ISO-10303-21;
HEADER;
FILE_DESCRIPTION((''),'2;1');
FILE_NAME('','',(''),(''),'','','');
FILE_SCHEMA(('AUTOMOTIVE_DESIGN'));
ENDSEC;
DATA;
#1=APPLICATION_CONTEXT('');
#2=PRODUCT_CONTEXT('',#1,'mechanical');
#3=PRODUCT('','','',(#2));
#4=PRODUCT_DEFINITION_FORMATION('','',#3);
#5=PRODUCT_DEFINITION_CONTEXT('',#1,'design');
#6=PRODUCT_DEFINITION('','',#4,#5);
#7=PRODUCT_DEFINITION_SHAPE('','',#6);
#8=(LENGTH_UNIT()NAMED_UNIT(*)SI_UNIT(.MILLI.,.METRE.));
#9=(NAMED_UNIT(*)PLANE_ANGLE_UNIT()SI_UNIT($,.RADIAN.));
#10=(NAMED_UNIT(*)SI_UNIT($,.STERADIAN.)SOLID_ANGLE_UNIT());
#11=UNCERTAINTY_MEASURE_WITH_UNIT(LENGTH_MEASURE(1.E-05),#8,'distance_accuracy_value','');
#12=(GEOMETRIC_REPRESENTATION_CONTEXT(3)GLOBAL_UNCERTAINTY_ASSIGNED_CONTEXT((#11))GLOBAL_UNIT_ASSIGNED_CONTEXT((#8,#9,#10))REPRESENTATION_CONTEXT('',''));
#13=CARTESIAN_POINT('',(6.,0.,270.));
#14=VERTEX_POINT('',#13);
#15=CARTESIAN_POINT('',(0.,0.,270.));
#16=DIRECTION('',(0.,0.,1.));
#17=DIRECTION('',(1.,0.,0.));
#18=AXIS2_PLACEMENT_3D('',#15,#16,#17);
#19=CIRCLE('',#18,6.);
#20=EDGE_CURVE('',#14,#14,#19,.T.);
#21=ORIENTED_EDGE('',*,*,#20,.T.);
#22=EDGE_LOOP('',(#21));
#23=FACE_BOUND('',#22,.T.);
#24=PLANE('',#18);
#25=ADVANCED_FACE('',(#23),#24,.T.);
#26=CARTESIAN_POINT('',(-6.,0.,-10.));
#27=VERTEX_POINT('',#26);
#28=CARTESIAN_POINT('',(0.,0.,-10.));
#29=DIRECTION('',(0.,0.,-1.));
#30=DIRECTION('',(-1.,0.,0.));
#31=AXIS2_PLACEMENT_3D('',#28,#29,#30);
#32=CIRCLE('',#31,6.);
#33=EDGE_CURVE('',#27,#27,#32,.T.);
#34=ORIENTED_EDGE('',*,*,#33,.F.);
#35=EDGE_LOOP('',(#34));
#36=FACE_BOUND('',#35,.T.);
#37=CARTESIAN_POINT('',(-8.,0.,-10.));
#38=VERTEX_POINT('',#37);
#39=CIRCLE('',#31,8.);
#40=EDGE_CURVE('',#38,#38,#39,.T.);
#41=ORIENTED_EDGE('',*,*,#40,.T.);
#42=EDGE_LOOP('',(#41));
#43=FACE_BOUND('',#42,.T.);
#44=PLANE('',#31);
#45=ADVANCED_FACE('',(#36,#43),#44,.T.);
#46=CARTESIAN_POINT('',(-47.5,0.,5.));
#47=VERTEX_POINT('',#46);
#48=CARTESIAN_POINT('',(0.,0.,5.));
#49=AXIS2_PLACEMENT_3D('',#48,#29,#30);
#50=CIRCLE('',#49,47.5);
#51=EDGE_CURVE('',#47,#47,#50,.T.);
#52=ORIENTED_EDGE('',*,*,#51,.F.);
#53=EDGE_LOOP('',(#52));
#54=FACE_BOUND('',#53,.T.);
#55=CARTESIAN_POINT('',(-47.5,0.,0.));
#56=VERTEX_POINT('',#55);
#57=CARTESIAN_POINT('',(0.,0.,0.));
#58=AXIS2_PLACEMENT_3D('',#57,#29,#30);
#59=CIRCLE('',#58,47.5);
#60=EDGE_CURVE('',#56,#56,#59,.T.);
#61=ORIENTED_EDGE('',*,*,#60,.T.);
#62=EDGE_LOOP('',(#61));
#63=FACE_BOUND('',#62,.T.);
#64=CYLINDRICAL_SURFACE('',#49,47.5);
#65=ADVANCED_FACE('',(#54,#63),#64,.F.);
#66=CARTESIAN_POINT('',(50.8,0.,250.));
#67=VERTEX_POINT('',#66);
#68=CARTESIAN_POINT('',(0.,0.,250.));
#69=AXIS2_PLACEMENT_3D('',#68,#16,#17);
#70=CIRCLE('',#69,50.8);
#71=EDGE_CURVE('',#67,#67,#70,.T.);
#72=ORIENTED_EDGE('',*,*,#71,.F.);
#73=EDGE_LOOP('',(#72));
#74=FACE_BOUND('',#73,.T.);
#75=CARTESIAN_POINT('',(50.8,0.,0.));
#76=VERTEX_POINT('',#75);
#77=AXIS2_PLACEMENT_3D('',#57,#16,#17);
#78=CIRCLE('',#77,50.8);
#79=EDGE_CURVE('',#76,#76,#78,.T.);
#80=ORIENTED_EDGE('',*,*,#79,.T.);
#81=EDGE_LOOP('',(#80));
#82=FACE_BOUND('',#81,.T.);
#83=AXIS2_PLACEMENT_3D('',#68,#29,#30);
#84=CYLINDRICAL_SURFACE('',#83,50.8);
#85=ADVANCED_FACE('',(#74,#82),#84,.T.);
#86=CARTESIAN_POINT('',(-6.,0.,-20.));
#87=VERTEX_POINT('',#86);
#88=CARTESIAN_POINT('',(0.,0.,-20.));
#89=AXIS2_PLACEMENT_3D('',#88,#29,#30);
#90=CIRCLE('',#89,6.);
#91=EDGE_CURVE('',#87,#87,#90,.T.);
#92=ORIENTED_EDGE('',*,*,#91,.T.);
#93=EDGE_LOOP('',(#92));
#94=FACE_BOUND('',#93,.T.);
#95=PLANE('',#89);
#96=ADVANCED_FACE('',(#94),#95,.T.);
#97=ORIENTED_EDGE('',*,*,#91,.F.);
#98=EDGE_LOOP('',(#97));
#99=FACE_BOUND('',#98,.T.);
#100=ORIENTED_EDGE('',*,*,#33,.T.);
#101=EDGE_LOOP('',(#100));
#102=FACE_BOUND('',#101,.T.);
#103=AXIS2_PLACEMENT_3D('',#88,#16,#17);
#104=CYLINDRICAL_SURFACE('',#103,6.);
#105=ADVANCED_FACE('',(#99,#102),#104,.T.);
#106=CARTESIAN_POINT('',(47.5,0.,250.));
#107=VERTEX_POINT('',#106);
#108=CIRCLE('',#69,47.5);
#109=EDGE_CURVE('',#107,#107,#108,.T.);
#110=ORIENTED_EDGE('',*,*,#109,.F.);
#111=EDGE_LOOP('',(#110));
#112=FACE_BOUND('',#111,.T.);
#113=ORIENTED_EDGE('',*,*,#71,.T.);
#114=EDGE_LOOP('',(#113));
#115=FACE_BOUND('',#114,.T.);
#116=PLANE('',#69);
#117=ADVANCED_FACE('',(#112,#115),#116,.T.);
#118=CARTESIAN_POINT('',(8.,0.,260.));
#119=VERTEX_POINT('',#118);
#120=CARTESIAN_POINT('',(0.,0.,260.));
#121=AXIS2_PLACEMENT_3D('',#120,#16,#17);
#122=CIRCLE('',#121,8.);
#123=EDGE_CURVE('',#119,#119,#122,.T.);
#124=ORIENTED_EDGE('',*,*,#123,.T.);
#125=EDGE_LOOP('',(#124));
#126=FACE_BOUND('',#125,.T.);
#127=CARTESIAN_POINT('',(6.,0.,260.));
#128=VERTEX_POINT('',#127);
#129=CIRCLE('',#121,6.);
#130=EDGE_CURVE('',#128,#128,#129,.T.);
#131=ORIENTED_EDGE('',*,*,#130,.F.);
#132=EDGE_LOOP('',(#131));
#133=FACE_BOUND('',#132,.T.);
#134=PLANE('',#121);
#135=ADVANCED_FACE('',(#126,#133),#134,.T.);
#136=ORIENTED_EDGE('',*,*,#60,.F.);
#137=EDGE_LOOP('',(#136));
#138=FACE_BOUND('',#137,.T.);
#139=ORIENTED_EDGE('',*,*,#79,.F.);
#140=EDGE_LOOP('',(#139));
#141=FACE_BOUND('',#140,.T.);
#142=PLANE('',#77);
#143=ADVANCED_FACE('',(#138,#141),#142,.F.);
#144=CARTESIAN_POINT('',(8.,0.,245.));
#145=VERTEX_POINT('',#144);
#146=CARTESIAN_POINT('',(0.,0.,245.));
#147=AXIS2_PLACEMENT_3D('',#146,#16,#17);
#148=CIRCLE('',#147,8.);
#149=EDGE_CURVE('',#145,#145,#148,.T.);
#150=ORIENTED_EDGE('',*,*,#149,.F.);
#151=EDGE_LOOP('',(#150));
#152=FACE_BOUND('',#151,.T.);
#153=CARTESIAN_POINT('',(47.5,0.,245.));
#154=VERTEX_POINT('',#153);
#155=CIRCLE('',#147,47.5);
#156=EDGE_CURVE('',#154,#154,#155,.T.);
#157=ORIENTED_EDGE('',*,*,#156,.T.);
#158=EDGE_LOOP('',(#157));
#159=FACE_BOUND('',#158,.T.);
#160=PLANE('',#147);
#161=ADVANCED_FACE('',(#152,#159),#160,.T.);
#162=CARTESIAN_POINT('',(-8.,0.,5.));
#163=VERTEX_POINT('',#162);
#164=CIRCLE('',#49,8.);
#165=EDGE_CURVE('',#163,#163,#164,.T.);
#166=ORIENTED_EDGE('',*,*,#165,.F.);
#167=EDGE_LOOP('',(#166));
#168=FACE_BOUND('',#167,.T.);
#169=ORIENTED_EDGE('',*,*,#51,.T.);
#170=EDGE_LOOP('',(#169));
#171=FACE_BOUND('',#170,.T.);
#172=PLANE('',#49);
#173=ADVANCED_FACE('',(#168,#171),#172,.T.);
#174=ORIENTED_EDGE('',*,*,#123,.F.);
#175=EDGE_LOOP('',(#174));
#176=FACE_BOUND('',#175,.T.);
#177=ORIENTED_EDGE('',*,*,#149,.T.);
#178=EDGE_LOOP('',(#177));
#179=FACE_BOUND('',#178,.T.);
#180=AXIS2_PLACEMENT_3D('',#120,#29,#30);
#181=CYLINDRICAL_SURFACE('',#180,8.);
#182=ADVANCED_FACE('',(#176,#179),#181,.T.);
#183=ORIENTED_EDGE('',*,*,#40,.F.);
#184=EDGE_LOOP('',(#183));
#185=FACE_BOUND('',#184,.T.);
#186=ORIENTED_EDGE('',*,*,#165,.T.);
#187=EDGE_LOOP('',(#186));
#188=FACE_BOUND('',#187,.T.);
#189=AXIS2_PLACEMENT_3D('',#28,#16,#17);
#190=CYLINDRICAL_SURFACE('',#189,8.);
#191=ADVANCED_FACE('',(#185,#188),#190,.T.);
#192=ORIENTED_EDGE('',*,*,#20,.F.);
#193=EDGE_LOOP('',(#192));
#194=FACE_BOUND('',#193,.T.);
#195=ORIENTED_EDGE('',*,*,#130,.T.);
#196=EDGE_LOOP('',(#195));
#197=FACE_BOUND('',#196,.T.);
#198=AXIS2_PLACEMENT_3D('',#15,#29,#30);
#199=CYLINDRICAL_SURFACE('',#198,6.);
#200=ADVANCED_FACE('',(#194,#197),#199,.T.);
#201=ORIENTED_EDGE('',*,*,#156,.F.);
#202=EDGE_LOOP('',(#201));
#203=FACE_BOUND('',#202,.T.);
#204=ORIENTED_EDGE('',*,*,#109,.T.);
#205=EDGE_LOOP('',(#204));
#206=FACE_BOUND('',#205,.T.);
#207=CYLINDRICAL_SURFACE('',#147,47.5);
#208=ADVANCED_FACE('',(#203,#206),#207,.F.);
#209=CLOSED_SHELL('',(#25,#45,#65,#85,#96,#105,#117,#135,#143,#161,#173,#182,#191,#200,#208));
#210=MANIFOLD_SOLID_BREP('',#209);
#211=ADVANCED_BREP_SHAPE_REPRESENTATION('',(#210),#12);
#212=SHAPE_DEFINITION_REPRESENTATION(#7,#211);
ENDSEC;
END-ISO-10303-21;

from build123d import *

# Parameters (mm, degrees)
SKETCH1_R           = 50.8
BOSS_EXTRUDE1_DEPTH = 250
SKETCH2_R           = 47.5
CUT_EXTRUDE1_DEPTH  = 5
CUT_EXTRUDE2_START  = -5
SKETCH3_R           = 47.5
CUT_EXTRUDE2_DEPTH  = 5
SKETCH4_R           = 8
BOSS_EXTRUDE2_DEPTH = 15
BOSS_EXTRUDE3_START = 15
SKETCH5_R           = 8
BOSS_EXTRUDE3_DEPTH = 15
SKETCH7_R           = 6
BOSS_EXTRUDE4_DEPTH = 10
BOSS_EXTRUDE5_START = 10
SKETCH8_R           = 6
BOSS_EXTRUDE5_DEPTH = 10


with BuildPart() as part:
    # Sketch1 → Boss-Extrude1 (new body)
    with BuildSketch(Plane.XY):
        Circle(SKETCH1_R)
    extrude(amount=BOSS_EXTRUDE1_DEPTH)

    # Sketch2 → Cut-Extrude1 (cut)
    with BuildSketch(Plane.XY.offset(250)):
        Circle(SKETCH2_R)
    extrude(amount=-CUT_EXTRUDE1_DEPTH, mode=Mode.SUBTRACT)

    # Sketch3 → Cut-Extrude2 (cut)
    with BuildSketch(Plane(origin=(0, 0, 0), x_dir=(-1, 0, 0), z_dir=(0, 0, -1)).offset(CUT_EXTRUDE2_START)):
        with Locations(Location((0, 0, 0), (0, 0, 180))):
            Circle(SKETCH3_R)
    extrude(amount=CUT_EXTRUDE2_DEPTH, mode=Mode.SUBTRACT)

    # Sketch4 → Boss-Extrude2 (add)
    with BuildSketch(Plane(origin=(0, 0, 5), x_dir=(-1, 0, 0), z_dir=(0, 0, -1))):
        Circle(SKETCH4_R)
    extrude(amount=BOSS_EXTRUDE2_DEPTH)

    # Sketch5 → Boss-Extrude3 (add)
    with BuildSketch(Plane.XY.offset(245).offset(BOSS_EXTRUDE3_START)):
        with Locations(Location((0, 0, 0), (0, 0, 180))):
            Circle(SKETCH5_R)
    extrude(amount=-BOSS_EXTRUDE3_DEPTH)

    # Sketch7 → Boss-Extrude4 (add)
    with BuildSketch(Plane(origin=(0, 0, -10), x_dir=(-1, 0, 0), z_dir=(0, 0, -1))):
        Circle(SKETCH7_R)
    extrude(amount=BOSS_EXTRUDE4_DEPTH)

    # Sketch8 → Boss-Extrude5 (add)
    with BuildSketch(Plane.XY.offset(260).offset(BOSS_EXTRUDE5_START)):
        with Locations(Location((0, 0, 0), (0, 0, 180))):
            Circle(SKETCH8_R)
    extrude(amount=-BOSS_EXTRUDE5_DEPTH)


solid = part.part
